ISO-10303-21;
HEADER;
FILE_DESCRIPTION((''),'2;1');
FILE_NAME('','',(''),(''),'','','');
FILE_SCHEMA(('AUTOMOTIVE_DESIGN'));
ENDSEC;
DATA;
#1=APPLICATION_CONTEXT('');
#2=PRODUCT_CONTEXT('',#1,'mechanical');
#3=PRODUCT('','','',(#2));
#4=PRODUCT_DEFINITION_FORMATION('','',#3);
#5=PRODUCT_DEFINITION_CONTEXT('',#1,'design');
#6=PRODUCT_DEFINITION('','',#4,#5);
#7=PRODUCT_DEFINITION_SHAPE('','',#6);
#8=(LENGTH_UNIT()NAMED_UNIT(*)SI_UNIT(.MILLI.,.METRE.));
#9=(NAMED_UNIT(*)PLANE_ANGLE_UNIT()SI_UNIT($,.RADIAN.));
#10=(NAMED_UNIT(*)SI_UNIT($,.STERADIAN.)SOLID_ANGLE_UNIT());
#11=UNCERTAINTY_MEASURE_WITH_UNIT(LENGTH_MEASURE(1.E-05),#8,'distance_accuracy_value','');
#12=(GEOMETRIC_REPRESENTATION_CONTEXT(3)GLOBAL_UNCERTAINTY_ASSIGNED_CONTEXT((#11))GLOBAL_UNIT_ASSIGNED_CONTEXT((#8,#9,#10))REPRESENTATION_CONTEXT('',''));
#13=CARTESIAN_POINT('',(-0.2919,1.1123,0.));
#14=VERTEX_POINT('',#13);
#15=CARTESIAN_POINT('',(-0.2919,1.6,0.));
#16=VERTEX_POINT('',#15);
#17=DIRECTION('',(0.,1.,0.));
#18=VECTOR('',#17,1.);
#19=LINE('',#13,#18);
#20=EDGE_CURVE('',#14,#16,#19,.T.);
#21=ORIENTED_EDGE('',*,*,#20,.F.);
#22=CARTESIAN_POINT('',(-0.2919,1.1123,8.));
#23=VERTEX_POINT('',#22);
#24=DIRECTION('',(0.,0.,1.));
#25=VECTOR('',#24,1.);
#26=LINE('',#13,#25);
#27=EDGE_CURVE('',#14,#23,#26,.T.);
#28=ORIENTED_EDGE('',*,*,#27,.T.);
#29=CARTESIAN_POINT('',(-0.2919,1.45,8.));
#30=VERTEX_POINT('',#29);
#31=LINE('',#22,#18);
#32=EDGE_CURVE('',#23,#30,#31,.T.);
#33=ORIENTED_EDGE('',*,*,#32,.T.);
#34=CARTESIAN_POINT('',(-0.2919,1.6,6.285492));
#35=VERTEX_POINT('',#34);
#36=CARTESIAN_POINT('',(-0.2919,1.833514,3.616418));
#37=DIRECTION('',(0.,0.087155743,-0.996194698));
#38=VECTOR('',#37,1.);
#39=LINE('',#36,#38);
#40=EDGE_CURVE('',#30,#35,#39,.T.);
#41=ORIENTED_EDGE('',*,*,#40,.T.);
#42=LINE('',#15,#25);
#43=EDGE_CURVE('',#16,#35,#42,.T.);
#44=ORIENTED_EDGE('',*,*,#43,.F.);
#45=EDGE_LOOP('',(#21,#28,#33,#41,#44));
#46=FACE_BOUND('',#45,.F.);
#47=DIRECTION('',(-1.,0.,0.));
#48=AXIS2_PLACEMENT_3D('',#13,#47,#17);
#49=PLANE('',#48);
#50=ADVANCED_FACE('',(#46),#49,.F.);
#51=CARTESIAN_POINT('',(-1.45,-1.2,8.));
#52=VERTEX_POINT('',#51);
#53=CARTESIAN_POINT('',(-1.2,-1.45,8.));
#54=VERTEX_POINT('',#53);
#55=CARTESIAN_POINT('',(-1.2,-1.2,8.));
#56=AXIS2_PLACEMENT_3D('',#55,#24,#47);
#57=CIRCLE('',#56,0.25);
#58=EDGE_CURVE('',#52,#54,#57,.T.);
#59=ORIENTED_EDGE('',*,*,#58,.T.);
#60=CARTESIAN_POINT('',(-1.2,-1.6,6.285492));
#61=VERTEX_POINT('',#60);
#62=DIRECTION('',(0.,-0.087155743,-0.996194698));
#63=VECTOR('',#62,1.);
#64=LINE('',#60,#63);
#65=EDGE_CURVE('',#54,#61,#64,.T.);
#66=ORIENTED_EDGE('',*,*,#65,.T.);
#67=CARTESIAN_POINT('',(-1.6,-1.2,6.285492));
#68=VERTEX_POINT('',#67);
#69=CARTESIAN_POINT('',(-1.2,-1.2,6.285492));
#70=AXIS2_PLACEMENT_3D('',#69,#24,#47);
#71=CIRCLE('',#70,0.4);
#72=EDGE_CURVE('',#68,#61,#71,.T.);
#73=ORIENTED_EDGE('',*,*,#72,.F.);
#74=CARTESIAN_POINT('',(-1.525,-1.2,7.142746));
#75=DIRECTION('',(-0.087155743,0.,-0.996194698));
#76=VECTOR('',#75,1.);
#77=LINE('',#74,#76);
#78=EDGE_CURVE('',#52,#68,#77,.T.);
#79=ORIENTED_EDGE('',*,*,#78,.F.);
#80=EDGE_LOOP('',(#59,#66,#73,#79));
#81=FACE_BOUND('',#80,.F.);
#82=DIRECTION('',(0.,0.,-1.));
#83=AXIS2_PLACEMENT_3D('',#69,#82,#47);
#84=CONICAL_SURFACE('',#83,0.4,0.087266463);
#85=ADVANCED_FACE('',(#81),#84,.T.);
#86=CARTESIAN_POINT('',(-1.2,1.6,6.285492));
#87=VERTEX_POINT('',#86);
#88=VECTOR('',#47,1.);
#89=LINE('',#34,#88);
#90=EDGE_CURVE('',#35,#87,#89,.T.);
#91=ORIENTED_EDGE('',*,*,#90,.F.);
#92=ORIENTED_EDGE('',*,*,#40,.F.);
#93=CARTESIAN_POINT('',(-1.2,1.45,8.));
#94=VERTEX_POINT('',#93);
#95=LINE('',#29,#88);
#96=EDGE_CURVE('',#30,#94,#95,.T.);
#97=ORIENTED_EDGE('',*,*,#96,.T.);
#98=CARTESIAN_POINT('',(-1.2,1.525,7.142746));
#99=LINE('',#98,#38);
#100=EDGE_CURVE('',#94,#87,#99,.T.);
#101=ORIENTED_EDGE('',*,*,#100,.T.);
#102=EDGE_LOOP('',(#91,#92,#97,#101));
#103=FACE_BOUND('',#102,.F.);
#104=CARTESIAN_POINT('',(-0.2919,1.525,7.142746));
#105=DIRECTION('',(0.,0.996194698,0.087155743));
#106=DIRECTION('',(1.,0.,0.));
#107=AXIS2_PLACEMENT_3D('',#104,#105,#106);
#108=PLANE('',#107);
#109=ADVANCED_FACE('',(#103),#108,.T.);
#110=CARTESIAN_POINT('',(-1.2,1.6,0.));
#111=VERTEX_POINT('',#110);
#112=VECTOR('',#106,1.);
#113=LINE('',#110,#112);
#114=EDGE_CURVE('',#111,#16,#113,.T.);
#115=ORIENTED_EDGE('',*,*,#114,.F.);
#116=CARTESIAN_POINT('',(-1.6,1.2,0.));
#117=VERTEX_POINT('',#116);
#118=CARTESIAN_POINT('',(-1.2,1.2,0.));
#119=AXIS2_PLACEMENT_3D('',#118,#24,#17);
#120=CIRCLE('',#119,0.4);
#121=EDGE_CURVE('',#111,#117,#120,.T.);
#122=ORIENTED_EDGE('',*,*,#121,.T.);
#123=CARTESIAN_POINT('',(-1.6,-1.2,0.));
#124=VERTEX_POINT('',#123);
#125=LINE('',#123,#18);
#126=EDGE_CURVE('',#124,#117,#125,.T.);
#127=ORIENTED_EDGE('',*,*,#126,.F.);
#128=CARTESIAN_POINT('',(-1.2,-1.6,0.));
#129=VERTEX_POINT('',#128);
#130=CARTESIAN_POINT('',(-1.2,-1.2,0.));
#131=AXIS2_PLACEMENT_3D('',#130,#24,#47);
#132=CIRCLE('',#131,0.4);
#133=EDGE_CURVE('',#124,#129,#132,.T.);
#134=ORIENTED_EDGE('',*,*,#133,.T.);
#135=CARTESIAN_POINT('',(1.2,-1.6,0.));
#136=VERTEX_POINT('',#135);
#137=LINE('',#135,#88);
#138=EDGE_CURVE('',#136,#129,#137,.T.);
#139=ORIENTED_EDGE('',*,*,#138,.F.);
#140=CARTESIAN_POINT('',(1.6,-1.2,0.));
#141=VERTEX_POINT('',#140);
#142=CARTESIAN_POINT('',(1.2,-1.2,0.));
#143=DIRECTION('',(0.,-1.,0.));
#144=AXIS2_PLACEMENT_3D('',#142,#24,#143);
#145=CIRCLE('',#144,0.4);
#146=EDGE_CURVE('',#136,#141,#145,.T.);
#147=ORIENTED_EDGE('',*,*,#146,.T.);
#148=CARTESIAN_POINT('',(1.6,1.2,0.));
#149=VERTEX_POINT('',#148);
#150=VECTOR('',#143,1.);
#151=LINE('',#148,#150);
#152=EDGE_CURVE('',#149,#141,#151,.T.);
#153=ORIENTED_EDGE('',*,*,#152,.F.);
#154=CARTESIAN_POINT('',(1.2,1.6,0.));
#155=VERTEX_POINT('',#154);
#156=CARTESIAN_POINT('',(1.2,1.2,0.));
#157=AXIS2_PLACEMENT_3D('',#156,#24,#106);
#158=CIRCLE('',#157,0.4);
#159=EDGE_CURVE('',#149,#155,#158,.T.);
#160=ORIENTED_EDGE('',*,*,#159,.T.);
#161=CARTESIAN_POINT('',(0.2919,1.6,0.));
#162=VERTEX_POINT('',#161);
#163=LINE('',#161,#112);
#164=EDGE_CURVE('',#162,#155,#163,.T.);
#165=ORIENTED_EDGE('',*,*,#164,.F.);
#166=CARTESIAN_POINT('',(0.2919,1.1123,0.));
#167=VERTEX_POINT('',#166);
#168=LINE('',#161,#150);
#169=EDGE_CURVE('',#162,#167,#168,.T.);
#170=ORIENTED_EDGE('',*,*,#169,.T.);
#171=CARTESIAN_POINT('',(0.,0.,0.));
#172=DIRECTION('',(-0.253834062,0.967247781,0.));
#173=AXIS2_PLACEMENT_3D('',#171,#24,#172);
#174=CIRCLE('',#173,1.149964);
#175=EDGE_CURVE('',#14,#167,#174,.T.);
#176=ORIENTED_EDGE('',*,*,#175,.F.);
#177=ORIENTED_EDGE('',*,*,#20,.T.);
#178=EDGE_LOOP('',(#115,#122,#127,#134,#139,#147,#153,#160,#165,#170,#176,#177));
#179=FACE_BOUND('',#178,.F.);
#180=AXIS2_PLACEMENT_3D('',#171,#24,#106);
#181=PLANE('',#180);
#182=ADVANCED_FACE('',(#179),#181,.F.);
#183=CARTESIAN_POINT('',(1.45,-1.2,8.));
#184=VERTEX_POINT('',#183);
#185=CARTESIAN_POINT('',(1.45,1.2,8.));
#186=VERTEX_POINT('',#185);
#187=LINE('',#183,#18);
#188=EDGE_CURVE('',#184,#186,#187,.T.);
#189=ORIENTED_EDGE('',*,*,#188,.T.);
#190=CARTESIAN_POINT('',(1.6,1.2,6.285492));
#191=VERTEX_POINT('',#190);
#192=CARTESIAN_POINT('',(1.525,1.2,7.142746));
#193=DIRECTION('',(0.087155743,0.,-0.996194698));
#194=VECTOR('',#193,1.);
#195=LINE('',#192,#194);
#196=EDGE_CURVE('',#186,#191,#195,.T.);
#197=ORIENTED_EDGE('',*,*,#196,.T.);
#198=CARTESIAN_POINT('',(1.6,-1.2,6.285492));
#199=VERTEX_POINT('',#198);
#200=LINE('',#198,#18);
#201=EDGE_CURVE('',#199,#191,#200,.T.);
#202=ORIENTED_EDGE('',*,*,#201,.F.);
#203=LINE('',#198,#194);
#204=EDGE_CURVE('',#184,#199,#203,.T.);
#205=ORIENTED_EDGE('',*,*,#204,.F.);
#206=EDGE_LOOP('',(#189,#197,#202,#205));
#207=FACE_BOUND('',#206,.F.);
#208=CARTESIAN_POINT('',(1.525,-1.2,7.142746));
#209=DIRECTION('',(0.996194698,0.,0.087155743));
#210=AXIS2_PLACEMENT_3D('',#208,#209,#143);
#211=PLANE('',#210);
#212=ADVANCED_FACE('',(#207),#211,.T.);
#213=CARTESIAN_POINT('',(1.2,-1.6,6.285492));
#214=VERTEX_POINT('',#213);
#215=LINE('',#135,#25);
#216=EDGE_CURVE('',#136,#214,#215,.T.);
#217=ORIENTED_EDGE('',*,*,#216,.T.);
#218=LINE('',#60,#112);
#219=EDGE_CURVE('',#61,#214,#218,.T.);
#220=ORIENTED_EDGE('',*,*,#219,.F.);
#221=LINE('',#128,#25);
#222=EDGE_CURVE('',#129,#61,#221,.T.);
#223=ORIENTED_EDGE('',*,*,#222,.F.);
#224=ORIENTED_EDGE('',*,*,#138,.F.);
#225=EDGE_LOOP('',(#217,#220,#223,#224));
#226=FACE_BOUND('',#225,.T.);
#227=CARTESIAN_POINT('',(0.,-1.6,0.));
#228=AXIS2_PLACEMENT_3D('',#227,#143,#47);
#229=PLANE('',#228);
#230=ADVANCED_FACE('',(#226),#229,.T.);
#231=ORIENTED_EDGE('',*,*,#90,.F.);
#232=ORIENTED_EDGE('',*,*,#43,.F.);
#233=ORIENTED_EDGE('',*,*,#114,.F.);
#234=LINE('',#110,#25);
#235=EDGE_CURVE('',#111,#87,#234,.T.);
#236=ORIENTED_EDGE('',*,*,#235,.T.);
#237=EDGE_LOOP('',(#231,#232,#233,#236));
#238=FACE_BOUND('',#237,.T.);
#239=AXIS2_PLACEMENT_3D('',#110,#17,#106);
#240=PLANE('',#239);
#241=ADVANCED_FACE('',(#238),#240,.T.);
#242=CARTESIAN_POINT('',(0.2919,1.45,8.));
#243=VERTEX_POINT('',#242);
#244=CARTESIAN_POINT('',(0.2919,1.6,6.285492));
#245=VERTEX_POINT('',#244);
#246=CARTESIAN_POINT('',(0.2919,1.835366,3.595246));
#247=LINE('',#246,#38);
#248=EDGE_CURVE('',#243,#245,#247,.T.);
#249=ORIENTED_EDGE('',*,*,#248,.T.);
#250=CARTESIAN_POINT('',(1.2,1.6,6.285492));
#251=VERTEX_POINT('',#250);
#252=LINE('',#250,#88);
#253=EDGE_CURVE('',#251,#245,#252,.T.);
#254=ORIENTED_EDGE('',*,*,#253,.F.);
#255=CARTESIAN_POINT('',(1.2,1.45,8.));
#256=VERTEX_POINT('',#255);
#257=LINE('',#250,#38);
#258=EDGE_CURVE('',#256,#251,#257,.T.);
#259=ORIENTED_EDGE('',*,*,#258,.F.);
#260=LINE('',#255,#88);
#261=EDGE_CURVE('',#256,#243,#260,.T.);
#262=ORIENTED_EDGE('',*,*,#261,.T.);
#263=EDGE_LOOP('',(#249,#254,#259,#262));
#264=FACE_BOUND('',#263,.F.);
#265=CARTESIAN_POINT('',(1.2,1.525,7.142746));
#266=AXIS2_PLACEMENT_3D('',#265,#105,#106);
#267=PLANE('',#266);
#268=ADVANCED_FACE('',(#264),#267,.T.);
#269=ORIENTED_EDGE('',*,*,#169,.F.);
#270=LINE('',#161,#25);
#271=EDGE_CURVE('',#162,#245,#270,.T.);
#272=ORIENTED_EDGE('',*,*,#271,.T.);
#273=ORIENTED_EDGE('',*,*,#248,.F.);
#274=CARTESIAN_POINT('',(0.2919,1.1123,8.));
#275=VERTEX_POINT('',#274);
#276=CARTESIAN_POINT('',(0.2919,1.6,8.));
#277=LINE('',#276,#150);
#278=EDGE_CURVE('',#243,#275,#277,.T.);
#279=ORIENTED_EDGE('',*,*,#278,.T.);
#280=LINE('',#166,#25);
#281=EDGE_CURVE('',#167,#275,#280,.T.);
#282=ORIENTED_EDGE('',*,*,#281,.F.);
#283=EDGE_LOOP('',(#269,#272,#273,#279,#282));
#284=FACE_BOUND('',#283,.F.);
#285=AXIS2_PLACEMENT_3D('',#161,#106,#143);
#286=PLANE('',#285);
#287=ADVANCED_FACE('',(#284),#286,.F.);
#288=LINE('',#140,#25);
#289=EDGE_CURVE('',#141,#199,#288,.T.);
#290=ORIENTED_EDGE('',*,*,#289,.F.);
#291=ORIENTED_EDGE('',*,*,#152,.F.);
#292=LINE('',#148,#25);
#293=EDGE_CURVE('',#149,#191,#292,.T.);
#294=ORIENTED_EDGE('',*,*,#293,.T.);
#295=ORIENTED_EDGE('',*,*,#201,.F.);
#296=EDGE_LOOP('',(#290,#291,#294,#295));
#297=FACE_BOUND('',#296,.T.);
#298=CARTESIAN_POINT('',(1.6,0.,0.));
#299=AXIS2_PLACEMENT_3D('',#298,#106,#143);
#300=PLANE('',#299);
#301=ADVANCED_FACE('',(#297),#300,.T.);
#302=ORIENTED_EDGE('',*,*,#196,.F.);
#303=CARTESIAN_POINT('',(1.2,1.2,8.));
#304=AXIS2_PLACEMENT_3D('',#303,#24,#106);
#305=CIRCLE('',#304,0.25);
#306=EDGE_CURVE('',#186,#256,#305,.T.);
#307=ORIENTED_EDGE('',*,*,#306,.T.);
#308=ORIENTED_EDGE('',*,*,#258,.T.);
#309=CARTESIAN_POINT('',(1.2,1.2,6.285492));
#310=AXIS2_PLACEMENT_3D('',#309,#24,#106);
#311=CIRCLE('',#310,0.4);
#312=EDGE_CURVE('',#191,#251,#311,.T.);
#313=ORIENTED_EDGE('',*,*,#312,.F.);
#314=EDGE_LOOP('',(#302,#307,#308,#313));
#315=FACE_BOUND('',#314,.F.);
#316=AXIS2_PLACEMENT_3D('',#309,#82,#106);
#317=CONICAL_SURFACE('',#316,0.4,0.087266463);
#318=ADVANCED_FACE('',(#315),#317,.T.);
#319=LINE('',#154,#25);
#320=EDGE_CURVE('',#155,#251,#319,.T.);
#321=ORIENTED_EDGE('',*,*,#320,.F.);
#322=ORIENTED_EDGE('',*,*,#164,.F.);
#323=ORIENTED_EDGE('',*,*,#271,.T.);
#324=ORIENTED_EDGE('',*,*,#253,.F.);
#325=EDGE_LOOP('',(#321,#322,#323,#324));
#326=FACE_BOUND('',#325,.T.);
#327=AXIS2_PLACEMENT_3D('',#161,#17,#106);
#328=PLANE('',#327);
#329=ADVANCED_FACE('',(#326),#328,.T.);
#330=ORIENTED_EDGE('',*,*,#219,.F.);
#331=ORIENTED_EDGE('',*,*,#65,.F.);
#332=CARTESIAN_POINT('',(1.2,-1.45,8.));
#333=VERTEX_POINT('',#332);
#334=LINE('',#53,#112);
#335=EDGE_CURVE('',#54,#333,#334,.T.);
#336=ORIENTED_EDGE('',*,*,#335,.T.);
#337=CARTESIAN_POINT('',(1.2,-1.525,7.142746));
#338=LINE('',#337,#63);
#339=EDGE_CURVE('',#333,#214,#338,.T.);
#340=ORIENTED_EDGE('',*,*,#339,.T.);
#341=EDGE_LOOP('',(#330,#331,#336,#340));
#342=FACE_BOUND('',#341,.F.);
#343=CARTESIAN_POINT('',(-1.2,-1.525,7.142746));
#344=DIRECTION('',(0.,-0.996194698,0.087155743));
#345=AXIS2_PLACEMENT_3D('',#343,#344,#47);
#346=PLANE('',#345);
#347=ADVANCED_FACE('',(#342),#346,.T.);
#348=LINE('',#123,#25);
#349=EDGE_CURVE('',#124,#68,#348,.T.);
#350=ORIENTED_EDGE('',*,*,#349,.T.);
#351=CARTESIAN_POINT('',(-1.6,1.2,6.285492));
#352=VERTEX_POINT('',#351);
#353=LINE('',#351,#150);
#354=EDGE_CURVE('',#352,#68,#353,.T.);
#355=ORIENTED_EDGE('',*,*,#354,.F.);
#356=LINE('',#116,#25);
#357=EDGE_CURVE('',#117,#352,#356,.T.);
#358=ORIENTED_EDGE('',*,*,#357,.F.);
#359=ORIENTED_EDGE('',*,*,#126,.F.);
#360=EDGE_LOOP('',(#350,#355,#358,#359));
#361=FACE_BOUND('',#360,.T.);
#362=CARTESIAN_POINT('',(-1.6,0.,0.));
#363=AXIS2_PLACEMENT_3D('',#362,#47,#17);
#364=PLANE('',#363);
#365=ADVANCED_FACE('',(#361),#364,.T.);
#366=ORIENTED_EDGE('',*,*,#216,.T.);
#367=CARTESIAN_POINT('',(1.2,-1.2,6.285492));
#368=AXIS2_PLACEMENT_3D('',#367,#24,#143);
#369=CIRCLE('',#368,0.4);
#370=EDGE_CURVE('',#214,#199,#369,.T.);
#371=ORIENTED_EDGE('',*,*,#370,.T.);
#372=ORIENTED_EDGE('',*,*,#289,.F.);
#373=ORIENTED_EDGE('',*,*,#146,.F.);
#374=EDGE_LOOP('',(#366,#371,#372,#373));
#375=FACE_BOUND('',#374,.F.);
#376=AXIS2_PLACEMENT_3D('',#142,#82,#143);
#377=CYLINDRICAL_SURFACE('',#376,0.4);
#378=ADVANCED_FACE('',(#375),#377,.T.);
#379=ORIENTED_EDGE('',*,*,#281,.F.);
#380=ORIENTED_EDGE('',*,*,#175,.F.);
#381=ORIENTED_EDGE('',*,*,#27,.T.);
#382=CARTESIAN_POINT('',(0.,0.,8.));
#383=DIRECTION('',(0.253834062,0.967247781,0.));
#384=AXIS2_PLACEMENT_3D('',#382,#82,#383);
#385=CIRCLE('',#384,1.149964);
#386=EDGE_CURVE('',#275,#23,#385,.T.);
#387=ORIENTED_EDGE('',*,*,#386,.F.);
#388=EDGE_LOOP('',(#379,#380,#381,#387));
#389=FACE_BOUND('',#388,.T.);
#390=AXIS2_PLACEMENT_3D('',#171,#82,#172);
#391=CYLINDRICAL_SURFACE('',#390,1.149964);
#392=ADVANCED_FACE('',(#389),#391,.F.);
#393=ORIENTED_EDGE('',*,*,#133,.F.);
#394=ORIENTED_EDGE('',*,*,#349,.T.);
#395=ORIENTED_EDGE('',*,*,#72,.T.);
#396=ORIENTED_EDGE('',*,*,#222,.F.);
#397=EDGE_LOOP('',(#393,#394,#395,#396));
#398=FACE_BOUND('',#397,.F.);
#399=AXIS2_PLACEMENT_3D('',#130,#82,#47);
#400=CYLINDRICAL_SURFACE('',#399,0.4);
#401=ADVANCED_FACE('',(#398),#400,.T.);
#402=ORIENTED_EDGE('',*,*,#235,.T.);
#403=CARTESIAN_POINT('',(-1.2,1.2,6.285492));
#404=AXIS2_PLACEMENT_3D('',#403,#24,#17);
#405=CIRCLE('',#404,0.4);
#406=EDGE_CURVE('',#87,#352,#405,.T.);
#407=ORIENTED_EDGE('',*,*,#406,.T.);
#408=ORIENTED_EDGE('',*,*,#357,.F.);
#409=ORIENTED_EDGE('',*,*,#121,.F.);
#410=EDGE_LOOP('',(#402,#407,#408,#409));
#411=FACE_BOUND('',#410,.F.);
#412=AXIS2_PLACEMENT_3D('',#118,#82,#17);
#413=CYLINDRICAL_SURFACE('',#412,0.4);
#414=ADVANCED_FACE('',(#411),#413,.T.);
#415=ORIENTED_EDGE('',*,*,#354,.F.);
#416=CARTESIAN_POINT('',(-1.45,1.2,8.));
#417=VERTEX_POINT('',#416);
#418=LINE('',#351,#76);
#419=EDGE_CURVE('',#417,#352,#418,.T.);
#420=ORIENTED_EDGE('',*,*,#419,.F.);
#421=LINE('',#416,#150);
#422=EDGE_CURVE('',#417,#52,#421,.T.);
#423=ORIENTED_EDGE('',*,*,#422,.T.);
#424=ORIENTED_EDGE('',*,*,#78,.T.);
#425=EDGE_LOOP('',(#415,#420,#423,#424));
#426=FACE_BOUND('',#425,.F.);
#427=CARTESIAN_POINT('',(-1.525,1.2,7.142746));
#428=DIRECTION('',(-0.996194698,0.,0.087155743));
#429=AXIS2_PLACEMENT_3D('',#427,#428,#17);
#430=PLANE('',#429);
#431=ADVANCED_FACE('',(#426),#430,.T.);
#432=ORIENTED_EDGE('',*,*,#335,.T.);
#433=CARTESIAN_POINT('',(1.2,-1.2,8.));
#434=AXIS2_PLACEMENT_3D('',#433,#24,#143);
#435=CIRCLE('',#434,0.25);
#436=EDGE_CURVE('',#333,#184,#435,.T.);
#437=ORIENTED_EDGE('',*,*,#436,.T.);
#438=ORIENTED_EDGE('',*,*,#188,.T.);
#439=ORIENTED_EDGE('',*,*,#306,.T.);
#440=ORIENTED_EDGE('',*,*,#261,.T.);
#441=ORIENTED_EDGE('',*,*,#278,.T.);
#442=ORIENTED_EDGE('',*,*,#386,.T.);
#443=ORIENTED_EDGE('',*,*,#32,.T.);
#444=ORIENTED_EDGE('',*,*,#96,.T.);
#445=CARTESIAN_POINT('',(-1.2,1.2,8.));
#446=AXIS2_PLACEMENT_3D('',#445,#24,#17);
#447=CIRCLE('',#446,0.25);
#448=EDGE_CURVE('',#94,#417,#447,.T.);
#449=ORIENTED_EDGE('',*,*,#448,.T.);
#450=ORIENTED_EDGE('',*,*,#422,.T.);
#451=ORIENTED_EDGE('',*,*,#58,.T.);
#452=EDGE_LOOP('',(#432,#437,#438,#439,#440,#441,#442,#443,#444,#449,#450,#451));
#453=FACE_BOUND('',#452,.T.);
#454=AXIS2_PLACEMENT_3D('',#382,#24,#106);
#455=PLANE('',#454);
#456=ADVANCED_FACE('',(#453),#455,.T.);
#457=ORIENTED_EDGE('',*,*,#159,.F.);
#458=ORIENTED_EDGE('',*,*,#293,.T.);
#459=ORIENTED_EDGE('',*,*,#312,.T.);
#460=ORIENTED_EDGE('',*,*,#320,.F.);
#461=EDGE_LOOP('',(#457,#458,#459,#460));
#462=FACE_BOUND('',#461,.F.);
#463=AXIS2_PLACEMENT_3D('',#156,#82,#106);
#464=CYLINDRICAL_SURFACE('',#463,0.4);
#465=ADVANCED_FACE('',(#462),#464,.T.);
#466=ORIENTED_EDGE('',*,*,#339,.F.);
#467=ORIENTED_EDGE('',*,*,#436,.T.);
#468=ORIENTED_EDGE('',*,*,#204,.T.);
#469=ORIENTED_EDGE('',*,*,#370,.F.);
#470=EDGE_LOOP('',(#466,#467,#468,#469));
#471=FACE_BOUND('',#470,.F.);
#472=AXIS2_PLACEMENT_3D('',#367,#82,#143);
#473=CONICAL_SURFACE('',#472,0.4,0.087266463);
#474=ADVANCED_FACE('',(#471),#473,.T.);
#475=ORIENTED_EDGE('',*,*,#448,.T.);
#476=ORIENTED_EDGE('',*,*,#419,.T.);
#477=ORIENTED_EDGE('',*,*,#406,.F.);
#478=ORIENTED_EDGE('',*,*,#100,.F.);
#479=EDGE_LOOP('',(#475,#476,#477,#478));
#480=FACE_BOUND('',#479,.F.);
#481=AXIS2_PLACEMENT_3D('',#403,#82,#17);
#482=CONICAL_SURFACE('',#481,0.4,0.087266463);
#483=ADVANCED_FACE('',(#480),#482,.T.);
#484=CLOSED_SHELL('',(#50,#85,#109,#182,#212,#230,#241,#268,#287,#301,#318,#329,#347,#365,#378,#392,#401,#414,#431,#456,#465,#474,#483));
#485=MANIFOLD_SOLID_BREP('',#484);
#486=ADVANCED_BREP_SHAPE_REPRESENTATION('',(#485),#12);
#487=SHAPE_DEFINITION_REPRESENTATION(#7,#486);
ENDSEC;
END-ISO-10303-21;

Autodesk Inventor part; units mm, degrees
ref_plane "YZ Plane" through (0, 0, 0) normal (1, 0, 0) x (0, 1, 0)
ref_plane "XZ Plane" through (0, 0, 0) normal (0, 1, 0) x (-1, 0, 0)
ref_plane "XY Plane" through (0, 0, 0) normal (0, 0, 1) x (1, 0, 0)
sketch "Sketch1" plane through (0, 0, 0) normal (0, 0, 1) x (1, 0, 0)
  line L0 (-1.2, 1.6) -> (-0.2919, 1.6)
  line L1 (1.6, 1.2) -> (1.6, -1.2)
  line L2 (1.2, -1.6) -> (-1.2, -1.6)
  line L3 (-1.6, -1.2) -> (-1.6, 1.2)
  line L4 (0, -2.356) -> (0, 2.356) projected
  line L5 (-2.356, 0) -> (2.356, 0) projected
  arc A0 (-0.2919, 1.1123) -> (0.2919, 1.1123) centre (0, 0) ccw
  line L6 (0.2919, 1.6) -> (0.2919, 1.1123)
  line L7 (0.2919, 1.6) -> (1.2, 1.6)
  line L8 (-0.2919, 1.1123) -> (-0.2919, 1.6)
  arc A1 (1.6, 1.2) -> (1.2, 1.6) centre (1.2, 1.2) ccw
  arc A2 (1.2, -1.6) -> (1.6, -1.2) centre (1.2, -1.2) ccw
  arc A3 (-1.6, -1.2) -> (-1.2, -1.6) centre (-1.2, -1.2) ccw
  arc A4 (-1.2, 1.6) -> (-1.6, 1.2) centre (-1.2, 1.2) ccw
  dimension "d0" = 1.6
  dimension "d2" = 2.3
  dimension "d6" = 0.4
extrude "Extrusion2" add sketch "Sketch1" along normal blind 8 contours L0 L8 A0 L5 L3 A4 | L5 A0 L4 L2 A3 L3 | A0 L5 L1 A2 L2 L4 | A0 L6 L7 A1 L1 L5
chamfer "Chamfer1" distance 0.15 angle 85 9 edges at (1.6, 0, 8) (1.4828, 1.4828, 8) (0.746, 1.6, 8) (1.4828, -1.4828, 8) (0, -1.6, 8) (-1.4828, -1.4828, 8) (-1.6, 0, 8) (-1.4828, 1.4828, 8) (-0.746, 1.6, 8) measured on face at (-1.4476, 0.0429, 8)
equation "\"d0\" = d1"
equation "\"d1\" = 1.6"
properties part number "hjul-motor overgang"
